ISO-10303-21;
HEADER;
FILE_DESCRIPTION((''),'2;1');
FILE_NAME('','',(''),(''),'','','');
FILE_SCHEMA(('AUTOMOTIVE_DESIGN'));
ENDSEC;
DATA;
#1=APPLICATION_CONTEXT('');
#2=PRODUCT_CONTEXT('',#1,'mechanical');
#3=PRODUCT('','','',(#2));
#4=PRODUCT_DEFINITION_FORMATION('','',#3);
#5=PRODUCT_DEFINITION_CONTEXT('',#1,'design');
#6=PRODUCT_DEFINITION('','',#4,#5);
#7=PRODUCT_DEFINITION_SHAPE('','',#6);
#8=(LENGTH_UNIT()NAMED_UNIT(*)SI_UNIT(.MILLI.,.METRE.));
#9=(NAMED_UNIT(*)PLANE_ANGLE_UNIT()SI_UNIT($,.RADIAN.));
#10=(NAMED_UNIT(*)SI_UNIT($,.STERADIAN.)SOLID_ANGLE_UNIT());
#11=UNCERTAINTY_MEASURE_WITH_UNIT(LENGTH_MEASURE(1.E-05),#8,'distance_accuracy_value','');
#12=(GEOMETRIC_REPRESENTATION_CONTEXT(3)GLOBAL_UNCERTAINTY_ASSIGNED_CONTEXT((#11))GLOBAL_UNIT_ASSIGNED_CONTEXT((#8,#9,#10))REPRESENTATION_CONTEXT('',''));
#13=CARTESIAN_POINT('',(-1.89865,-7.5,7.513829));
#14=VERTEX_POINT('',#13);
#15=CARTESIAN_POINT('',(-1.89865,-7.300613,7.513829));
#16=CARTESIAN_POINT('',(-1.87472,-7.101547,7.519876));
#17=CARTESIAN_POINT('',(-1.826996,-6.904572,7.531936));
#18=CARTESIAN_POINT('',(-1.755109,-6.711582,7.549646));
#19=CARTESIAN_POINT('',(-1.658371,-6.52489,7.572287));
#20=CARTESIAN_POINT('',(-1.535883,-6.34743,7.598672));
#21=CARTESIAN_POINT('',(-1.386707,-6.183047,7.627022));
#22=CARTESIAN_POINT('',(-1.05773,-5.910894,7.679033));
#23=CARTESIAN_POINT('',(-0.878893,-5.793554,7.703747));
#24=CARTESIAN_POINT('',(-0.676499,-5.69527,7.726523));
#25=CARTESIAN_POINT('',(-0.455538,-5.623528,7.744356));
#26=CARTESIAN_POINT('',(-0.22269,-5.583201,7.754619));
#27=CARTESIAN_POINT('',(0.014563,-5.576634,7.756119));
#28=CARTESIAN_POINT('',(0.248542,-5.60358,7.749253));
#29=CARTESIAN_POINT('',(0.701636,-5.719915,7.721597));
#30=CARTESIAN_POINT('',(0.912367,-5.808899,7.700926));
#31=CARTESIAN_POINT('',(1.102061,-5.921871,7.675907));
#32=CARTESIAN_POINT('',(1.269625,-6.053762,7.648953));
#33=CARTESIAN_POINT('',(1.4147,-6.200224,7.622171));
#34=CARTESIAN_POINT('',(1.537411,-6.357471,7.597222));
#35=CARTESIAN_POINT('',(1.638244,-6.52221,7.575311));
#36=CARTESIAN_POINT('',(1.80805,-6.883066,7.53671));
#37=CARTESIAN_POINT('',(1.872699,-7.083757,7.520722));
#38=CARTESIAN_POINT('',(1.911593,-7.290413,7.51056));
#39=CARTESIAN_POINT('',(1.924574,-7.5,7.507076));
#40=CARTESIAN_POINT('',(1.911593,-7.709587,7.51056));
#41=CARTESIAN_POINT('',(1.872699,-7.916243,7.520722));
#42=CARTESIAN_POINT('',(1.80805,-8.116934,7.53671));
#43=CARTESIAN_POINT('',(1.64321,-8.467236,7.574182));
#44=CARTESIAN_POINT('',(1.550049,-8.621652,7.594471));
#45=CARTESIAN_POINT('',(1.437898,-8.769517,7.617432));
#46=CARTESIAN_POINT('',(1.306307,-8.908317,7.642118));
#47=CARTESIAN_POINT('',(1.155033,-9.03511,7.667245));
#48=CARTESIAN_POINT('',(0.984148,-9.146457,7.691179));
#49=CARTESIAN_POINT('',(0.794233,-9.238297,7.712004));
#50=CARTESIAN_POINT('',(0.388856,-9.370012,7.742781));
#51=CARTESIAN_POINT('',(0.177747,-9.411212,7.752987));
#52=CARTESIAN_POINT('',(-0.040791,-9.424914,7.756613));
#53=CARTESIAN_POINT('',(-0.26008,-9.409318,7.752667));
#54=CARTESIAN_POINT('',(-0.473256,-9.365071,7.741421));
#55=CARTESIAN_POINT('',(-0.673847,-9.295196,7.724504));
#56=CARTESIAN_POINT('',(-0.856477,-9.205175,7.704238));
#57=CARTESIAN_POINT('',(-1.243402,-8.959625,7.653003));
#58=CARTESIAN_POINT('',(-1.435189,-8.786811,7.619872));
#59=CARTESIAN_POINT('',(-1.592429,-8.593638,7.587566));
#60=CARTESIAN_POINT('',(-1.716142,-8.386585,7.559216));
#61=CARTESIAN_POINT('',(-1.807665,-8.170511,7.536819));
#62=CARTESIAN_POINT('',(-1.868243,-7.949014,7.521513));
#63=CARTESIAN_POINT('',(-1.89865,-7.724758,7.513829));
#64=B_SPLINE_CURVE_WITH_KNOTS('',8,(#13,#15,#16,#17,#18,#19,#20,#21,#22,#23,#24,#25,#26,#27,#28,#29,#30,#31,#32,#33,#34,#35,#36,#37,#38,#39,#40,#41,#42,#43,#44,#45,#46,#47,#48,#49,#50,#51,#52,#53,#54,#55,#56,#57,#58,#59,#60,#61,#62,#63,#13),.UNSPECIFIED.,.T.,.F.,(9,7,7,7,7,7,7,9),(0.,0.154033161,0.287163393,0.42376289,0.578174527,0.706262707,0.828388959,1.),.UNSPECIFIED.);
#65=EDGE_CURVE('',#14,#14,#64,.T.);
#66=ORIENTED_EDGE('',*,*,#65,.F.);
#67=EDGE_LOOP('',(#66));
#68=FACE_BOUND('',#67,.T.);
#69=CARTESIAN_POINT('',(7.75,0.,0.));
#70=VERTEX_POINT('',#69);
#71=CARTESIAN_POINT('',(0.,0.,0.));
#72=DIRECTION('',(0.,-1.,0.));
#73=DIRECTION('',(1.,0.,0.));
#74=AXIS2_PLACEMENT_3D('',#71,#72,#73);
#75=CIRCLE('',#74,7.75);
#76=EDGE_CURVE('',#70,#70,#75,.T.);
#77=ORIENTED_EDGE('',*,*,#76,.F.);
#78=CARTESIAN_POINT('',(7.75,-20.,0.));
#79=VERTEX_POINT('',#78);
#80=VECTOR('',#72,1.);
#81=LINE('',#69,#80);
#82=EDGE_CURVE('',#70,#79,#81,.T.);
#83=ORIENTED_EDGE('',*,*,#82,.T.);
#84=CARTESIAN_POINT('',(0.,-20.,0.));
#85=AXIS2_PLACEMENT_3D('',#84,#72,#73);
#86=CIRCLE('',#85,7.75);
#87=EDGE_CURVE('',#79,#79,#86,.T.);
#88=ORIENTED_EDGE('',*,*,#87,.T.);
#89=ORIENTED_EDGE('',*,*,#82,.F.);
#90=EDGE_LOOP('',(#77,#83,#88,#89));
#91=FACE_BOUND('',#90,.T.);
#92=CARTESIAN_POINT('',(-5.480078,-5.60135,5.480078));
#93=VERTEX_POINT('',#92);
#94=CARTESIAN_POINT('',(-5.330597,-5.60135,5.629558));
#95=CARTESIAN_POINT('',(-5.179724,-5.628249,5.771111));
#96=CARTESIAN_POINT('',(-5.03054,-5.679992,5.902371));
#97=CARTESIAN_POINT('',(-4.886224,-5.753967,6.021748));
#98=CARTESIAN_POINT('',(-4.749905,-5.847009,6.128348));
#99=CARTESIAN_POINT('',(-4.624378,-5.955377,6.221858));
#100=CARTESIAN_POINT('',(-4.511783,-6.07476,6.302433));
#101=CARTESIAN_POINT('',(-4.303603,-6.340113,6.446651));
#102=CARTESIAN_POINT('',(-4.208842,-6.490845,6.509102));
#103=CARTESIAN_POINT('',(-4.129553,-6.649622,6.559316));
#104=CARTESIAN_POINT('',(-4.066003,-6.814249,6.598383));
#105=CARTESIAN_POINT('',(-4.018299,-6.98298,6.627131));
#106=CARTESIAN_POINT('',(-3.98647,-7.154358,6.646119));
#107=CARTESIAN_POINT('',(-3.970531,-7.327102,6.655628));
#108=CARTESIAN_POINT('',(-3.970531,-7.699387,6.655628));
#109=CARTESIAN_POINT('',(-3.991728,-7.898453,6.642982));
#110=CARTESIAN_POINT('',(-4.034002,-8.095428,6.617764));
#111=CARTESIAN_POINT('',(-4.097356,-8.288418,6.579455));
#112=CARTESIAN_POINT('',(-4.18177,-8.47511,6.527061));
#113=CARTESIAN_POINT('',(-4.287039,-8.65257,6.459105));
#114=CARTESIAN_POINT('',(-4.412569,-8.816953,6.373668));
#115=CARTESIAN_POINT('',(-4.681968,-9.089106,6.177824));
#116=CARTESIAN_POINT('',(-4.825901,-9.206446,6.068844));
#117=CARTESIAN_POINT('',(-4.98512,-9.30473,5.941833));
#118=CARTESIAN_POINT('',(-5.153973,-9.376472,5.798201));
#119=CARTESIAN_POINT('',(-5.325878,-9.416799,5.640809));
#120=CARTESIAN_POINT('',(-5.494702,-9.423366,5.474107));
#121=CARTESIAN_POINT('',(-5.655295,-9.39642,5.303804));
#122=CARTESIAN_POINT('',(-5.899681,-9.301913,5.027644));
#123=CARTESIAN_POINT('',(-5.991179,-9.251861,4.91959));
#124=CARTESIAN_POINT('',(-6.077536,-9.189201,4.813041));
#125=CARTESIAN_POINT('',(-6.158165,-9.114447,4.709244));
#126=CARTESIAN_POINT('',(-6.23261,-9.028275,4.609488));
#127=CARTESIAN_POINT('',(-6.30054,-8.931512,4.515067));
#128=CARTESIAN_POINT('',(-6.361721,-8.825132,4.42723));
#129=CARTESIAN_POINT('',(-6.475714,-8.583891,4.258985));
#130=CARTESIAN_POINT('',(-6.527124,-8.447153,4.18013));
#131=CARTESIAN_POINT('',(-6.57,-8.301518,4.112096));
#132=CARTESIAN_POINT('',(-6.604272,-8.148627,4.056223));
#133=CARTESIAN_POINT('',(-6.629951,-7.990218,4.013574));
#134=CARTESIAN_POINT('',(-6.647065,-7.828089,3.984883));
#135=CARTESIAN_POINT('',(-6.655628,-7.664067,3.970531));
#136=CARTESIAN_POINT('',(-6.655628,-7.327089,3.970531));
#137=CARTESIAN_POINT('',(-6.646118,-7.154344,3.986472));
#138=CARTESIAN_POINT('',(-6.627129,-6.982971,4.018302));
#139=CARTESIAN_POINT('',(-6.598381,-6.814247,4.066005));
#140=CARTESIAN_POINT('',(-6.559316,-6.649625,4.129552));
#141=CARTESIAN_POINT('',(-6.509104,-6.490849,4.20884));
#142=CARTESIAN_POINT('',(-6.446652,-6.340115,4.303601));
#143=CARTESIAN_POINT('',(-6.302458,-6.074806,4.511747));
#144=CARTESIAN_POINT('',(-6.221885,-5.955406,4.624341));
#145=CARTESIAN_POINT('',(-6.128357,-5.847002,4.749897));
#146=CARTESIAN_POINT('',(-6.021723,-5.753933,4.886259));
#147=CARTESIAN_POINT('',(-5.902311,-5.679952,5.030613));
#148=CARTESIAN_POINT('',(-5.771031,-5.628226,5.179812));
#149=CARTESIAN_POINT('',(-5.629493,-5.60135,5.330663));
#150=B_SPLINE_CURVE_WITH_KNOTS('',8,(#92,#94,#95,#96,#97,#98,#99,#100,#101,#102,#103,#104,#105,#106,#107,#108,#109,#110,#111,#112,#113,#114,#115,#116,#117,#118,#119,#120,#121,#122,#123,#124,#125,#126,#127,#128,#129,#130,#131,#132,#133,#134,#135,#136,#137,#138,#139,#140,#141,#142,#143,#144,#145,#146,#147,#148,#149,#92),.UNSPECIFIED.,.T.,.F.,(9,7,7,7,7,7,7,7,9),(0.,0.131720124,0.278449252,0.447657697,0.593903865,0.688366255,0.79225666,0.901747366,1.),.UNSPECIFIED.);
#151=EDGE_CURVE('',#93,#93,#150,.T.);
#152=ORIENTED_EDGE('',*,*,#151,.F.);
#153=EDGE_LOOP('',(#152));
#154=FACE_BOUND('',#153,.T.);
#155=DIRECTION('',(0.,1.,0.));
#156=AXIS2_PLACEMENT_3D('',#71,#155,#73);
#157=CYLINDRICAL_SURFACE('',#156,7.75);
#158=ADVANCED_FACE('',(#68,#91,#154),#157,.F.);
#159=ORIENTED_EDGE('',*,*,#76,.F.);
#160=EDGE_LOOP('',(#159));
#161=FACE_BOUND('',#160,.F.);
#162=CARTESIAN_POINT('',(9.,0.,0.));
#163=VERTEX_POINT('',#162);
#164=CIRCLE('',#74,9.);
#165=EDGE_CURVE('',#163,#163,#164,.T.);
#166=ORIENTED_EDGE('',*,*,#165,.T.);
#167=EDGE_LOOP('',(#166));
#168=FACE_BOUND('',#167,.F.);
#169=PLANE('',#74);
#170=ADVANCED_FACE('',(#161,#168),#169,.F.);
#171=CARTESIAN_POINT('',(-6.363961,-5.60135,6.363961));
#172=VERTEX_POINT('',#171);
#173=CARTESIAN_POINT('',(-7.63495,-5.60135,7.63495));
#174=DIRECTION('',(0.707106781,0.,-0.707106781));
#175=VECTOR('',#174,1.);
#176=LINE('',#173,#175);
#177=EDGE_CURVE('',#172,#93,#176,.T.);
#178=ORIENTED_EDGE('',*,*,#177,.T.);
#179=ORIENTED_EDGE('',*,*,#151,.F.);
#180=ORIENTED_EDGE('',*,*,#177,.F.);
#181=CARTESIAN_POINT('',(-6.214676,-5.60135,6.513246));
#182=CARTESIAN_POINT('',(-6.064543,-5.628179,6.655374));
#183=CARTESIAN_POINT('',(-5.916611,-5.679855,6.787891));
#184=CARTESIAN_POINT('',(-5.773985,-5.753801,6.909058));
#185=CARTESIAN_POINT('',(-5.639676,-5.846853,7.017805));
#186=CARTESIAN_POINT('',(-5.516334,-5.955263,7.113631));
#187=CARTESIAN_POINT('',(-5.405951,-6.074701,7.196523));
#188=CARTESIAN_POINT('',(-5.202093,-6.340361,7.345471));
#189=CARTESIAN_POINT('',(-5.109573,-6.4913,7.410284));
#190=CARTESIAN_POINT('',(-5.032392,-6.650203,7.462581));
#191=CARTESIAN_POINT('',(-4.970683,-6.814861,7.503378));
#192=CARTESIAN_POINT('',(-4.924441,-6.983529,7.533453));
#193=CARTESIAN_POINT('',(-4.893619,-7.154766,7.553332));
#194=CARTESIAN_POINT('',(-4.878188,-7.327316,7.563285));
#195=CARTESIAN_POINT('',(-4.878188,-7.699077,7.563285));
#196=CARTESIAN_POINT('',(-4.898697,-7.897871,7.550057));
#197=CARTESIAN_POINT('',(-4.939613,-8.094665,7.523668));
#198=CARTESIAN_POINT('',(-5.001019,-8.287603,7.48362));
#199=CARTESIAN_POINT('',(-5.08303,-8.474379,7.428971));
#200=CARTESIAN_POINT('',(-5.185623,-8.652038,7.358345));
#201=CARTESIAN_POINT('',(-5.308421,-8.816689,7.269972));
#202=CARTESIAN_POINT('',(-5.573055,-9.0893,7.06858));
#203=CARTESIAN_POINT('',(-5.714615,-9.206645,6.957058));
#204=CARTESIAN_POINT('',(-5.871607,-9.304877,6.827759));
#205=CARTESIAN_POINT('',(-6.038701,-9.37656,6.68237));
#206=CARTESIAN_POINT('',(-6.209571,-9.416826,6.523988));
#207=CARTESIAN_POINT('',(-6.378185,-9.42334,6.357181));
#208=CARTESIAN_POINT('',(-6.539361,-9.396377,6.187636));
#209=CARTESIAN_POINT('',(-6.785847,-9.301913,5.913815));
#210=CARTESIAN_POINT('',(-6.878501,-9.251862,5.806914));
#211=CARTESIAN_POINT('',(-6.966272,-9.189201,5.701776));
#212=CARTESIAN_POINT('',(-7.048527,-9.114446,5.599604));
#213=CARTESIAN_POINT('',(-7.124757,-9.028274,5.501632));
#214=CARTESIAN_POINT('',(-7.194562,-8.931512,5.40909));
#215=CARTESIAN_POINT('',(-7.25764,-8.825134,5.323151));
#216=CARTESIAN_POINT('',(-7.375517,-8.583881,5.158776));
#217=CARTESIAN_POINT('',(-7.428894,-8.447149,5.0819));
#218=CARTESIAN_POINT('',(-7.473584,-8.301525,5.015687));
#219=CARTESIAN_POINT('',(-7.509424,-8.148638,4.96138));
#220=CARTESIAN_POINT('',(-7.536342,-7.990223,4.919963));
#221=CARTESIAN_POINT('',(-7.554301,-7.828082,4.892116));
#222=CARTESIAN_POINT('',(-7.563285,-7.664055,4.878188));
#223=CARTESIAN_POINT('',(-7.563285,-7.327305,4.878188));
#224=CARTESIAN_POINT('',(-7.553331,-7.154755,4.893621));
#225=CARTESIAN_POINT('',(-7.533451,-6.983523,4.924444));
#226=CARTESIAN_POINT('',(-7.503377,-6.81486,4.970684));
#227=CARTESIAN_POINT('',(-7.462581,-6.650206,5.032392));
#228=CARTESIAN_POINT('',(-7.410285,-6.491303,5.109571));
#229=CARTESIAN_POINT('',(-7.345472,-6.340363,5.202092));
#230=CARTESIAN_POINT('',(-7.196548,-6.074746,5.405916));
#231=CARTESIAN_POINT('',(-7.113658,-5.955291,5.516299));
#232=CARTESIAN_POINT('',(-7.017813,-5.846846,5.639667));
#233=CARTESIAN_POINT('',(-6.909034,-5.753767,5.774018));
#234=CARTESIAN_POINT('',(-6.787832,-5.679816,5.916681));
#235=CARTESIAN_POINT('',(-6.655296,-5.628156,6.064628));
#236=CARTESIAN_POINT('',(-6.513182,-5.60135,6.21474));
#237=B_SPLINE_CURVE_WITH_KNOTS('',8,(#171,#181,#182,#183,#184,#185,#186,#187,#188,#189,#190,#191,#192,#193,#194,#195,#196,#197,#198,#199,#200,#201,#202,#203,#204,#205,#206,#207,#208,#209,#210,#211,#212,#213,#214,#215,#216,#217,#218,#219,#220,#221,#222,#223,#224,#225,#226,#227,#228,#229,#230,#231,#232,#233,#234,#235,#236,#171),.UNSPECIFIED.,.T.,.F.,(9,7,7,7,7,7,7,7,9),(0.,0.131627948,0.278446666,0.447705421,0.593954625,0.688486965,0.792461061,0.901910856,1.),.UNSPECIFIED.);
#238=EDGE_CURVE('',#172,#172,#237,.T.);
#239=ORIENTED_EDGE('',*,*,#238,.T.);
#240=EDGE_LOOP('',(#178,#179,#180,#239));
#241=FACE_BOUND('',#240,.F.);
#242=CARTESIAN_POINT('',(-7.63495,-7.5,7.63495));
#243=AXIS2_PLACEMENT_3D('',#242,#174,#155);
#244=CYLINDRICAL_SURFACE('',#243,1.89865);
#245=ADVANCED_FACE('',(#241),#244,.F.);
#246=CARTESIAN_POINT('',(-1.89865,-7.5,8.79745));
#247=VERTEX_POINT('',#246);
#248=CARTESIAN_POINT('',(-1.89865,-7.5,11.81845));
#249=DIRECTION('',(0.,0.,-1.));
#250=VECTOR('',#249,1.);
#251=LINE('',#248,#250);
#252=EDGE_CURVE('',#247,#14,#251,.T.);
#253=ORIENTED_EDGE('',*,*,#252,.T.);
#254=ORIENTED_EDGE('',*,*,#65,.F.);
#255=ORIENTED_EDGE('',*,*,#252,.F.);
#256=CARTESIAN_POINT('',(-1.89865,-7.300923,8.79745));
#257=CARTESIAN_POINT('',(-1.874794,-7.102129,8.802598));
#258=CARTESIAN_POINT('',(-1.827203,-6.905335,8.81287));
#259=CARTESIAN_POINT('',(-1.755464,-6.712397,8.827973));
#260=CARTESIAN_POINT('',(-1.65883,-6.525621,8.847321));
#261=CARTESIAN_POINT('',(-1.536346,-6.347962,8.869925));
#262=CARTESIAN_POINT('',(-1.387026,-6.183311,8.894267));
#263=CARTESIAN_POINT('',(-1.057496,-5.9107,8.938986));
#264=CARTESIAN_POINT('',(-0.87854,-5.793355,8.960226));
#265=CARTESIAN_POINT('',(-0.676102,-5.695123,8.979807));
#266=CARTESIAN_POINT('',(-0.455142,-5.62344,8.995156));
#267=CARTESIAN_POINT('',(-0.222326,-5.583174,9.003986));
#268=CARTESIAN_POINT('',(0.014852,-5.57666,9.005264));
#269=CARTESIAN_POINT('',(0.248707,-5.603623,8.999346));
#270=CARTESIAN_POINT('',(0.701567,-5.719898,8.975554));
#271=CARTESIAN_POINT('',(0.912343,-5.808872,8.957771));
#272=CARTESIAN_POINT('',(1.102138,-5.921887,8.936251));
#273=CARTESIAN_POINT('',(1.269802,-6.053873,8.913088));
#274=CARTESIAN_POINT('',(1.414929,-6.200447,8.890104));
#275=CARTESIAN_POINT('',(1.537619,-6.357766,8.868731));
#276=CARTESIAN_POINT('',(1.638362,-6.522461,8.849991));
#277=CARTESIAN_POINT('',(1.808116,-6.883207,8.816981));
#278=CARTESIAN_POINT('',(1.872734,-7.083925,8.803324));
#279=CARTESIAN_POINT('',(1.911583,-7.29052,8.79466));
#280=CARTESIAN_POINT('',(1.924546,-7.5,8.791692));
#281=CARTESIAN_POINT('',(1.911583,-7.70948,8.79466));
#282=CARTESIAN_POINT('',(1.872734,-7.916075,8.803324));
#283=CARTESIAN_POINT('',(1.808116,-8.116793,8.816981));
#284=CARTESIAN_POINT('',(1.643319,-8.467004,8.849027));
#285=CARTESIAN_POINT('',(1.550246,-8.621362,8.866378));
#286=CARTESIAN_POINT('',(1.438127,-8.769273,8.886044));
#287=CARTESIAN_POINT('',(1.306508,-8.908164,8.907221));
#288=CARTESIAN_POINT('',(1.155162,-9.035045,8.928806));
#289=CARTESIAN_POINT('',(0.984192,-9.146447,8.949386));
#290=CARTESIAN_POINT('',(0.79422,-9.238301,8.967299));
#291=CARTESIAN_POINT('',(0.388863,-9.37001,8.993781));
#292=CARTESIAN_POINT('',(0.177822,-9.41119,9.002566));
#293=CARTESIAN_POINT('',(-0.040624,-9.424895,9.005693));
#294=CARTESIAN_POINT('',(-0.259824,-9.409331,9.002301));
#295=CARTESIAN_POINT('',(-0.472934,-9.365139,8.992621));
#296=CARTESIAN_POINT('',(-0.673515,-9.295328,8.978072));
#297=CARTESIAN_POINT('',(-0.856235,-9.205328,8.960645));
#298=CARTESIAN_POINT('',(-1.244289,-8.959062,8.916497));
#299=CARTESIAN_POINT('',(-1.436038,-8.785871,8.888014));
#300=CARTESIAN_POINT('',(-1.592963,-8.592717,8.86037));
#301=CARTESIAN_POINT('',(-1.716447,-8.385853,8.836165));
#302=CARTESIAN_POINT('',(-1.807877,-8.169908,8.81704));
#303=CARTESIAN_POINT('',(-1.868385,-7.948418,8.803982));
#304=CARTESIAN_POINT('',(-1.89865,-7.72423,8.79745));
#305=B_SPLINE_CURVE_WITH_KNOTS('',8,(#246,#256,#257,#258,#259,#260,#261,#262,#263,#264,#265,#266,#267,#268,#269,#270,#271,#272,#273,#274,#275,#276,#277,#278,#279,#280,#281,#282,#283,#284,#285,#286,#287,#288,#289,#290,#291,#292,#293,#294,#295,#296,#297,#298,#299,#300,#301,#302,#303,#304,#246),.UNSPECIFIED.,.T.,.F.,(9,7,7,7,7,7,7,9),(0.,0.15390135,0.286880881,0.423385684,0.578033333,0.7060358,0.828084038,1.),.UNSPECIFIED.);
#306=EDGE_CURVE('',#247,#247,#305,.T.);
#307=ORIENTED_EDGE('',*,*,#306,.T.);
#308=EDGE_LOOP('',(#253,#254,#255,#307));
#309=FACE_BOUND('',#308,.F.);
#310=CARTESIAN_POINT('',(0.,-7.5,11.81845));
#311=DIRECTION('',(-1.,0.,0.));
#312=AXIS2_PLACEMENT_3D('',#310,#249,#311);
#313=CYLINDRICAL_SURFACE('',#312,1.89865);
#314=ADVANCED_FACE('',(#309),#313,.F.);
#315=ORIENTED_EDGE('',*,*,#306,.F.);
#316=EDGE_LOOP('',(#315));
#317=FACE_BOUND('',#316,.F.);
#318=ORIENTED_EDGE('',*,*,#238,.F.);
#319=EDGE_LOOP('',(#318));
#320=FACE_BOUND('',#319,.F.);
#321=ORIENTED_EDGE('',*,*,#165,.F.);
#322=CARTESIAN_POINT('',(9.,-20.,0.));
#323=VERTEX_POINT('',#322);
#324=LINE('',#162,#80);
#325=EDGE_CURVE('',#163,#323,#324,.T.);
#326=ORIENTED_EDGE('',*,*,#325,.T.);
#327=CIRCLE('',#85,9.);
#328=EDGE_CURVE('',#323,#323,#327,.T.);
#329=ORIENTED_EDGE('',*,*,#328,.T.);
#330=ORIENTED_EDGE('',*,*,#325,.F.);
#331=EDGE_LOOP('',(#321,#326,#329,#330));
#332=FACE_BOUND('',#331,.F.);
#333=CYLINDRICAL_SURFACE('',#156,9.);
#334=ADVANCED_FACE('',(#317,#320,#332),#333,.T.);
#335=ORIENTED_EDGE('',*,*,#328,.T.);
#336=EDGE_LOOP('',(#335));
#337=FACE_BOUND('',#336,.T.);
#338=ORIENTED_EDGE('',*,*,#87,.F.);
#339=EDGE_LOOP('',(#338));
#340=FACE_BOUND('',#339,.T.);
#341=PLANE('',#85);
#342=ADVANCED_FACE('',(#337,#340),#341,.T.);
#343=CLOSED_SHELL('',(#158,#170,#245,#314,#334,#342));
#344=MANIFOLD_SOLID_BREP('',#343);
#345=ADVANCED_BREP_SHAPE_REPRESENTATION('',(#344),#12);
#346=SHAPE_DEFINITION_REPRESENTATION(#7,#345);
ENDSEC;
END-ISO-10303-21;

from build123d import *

# Parameters (mm, degrees)
F0_R     = 9
F0_R_2   = 7.75
F1_DEPTH = 20
F4_D     = 3.7973
F4_DEPTH = 3.021
F4_START = 0.20255
F4_TIP   = 1.1408240143
F8_D     = 3.7973
F8_DEPTH = 2
F8_START = 0.20255
F8_TIP   = 1.1408240143


with BuildPart() as f1:
    # F0 (on Front) → F1 (new body)
    with BuildSketch(Plane.XZ):
        Circle(F0_R)
        Circle(F0_R_2, mode=Mode.SUBTRACT)
    extrude(amount=F1_DEPTH)

    # F4
    # its depths count from where the whole tool has entered the part; down to there all is cleared
    with Locations(Plane.XY.offset(9).offset(-F4_START)):
        with Locations((0, -7.5)):
            Hole(F4_D / 2, depth=F4_DEPTH)
            with Locations((0, 0, -(F4_DEPTH + F4_TIP / 2))):  # 118° drill point
                Cone(0, F4_D / 2, F4_TIP, mode=Mode.SUBTRACT)

    # F8
    # its depths count from where the whole tool has entered the part; down to there all is cleared
    with Locations(Plane(origin=(-6.3639610307, 0, 6.3639610307), x_dir=(0, -1, 0), z_dir=(-0.7071067812, 0, 0.7071067812)).offset(-F8_START)):
        with Locations((7.5, 0)):
            Hole(F8_D / 2, depth=F8_DEPTH)
            with Locations((0, 0, -(F8_DEPTH + F8_TIP / 2))):  # 118° drill point
                Cone(0, F8_D / 2, F8_TIP, mode=Mode.SUBTRACT)


solid = f1.part
